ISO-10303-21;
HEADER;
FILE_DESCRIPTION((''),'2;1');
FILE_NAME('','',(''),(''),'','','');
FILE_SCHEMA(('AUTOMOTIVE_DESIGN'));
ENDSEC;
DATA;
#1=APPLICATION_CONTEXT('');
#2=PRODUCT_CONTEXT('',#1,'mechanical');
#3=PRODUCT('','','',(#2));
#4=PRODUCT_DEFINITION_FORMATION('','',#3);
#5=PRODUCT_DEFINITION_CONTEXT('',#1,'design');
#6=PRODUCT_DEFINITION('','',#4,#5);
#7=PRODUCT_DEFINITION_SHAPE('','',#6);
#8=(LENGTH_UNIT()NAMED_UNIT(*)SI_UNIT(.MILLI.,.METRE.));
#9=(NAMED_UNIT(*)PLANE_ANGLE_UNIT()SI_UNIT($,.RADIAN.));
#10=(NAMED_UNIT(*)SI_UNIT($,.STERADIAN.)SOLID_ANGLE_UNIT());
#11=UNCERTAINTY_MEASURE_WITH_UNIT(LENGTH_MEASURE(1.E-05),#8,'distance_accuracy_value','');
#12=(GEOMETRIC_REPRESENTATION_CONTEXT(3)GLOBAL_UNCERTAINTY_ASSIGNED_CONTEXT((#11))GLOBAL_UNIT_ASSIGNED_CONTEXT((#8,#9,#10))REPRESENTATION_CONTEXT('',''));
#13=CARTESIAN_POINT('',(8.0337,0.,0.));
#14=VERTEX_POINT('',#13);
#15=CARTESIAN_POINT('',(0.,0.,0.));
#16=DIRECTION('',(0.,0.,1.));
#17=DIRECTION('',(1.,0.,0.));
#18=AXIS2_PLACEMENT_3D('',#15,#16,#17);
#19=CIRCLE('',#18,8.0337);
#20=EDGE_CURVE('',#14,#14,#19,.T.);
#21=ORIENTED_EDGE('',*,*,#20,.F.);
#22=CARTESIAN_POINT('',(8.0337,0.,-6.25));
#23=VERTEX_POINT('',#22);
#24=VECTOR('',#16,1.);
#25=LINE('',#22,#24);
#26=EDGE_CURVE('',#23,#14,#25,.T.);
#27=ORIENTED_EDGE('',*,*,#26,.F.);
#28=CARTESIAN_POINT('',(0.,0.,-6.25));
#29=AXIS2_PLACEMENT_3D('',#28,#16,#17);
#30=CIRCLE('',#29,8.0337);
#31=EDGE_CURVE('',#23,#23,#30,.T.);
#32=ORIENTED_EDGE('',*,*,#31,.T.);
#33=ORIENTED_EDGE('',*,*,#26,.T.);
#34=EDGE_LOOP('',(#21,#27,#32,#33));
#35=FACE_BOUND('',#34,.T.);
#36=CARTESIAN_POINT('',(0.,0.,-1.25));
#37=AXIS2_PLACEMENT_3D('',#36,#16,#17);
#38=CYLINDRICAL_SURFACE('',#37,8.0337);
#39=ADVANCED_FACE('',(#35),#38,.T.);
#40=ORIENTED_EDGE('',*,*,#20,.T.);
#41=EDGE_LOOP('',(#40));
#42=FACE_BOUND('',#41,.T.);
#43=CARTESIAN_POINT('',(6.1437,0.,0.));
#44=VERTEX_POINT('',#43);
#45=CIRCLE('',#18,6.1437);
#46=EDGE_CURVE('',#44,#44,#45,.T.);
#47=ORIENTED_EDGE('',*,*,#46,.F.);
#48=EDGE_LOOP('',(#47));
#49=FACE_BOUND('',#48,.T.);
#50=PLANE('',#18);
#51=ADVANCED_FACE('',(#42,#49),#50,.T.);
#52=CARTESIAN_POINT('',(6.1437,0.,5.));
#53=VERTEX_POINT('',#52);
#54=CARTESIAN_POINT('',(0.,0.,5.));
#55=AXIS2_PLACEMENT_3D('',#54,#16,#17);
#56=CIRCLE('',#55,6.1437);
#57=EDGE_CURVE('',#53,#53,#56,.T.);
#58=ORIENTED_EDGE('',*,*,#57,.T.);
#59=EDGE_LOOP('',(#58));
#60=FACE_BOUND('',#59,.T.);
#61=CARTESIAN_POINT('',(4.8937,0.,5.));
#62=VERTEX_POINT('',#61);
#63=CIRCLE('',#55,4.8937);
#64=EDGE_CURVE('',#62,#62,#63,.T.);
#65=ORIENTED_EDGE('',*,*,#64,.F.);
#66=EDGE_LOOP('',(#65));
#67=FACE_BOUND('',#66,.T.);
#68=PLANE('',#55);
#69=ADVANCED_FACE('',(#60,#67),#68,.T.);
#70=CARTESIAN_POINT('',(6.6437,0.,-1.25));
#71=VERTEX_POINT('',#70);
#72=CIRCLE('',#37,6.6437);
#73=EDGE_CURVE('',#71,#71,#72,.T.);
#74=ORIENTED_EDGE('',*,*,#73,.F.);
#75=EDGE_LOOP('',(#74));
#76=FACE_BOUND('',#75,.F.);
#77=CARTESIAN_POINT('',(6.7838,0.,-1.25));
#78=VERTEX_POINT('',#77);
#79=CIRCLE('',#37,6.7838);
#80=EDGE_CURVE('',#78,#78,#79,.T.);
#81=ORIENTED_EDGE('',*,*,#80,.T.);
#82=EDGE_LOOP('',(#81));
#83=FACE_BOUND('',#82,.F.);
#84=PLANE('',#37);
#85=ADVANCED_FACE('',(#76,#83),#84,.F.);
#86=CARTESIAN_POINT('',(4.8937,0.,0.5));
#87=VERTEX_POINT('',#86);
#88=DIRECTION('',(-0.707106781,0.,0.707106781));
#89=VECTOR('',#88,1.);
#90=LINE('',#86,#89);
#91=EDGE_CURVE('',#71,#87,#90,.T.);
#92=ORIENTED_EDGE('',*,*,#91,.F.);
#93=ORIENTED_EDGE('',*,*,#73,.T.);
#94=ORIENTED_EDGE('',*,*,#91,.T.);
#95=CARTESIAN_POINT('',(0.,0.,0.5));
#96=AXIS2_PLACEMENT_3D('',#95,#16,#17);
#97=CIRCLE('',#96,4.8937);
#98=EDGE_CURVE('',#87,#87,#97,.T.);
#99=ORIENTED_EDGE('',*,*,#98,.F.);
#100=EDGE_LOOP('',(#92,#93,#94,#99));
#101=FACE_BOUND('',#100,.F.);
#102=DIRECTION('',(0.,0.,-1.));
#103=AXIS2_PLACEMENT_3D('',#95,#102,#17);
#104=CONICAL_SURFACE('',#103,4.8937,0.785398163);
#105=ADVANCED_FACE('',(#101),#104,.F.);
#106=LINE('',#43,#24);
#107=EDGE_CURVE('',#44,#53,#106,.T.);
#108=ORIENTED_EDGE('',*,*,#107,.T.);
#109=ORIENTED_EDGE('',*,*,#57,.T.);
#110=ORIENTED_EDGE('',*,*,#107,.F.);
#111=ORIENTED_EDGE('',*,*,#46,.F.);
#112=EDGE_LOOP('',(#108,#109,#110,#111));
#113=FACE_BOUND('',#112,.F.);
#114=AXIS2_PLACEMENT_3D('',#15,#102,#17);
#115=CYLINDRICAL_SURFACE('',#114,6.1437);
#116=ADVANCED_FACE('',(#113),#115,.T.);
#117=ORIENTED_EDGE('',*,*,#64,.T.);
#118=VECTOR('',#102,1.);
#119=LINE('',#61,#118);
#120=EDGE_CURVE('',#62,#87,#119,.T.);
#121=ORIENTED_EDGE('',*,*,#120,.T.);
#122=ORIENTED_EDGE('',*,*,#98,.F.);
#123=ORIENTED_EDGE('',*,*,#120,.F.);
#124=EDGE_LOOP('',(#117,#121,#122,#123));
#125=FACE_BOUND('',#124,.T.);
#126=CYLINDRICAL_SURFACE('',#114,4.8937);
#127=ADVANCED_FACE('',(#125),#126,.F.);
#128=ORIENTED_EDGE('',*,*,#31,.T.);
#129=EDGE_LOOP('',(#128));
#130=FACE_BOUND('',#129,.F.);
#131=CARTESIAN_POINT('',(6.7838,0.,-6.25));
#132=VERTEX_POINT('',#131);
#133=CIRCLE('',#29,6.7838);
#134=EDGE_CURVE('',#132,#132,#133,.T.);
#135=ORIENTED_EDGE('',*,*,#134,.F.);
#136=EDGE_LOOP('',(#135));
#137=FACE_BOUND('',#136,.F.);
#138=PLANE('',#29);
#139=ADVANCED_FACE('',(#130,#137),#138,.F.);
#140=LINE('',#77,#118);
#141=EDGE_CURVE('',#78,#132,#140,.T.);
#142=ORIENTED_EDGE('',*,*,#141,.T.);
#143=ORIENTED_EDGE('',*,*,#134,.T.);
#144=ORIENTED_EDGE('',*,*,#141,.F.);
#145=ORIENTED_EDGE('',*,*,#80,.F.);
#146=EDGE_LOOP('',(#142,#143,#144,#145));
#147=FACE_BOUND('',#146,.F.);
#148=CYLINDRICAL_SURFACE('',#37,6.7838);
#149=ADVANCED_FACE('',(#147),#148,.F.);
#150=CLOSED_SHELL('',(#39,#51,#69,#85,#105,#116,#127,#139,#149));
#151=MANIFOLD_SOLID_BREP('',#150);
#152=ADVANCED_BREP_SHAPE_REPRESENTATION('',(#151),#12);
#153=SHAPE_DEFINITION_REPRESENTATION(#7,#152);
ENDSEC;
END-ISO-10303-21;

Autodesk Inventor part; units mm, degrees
ref_plane "YZ Plane" through (0, 0, 0) normal (1, 0, 0) x (0, 1, 0)
ref_plane "XZ Plane" through (0, 0, 0) normal (0, 1, 0) x (-1, 0, 0)
ref_plane "XY Plane" through (0, 0, 0) normal (0, 0, 1) x (1, 0, 0)
sketch "Sketch1" plane through (0, 0, 0) normal (0, 0, 1) x (1, 0, 0)
  circle A0 centre (0, 0) radius 6.1437
  circle A1 centre (0, 0) radius 4.8937
  circle A2 centre (0, 0) radius 13.125
  circle A3 centre (0, 0) radius 6.7838
  circle A4 centre (0, 0) radius 14.375
  circle A5 centre (0, 0) radius 8.0337
  dimension "d0" = 12.2875
  dimension "d1" = 1.25
  dimension "d4" = 26.25
  dimension "d5" = 13.5675
  dimension "d6" = 1.25
  dimension "d7" = 1.25
extrude "Extrusion1" add sketch "Sketch1" along normal blind 5 contours A0
extrude "Extrusion2" add sketch "Sketch1" against normal blind 1.25 contours A0 | A3 | A5
extrude "Extrusion3" add sketch "Sketch1" against normal blind 5 from surface at -1.25 contours A5
chamfer "Chamfer1" distance 1.75 angle 45 1 edges at (-4.8937, 0, -1.25)
properties part number "Filter Adapter (SM05)"
